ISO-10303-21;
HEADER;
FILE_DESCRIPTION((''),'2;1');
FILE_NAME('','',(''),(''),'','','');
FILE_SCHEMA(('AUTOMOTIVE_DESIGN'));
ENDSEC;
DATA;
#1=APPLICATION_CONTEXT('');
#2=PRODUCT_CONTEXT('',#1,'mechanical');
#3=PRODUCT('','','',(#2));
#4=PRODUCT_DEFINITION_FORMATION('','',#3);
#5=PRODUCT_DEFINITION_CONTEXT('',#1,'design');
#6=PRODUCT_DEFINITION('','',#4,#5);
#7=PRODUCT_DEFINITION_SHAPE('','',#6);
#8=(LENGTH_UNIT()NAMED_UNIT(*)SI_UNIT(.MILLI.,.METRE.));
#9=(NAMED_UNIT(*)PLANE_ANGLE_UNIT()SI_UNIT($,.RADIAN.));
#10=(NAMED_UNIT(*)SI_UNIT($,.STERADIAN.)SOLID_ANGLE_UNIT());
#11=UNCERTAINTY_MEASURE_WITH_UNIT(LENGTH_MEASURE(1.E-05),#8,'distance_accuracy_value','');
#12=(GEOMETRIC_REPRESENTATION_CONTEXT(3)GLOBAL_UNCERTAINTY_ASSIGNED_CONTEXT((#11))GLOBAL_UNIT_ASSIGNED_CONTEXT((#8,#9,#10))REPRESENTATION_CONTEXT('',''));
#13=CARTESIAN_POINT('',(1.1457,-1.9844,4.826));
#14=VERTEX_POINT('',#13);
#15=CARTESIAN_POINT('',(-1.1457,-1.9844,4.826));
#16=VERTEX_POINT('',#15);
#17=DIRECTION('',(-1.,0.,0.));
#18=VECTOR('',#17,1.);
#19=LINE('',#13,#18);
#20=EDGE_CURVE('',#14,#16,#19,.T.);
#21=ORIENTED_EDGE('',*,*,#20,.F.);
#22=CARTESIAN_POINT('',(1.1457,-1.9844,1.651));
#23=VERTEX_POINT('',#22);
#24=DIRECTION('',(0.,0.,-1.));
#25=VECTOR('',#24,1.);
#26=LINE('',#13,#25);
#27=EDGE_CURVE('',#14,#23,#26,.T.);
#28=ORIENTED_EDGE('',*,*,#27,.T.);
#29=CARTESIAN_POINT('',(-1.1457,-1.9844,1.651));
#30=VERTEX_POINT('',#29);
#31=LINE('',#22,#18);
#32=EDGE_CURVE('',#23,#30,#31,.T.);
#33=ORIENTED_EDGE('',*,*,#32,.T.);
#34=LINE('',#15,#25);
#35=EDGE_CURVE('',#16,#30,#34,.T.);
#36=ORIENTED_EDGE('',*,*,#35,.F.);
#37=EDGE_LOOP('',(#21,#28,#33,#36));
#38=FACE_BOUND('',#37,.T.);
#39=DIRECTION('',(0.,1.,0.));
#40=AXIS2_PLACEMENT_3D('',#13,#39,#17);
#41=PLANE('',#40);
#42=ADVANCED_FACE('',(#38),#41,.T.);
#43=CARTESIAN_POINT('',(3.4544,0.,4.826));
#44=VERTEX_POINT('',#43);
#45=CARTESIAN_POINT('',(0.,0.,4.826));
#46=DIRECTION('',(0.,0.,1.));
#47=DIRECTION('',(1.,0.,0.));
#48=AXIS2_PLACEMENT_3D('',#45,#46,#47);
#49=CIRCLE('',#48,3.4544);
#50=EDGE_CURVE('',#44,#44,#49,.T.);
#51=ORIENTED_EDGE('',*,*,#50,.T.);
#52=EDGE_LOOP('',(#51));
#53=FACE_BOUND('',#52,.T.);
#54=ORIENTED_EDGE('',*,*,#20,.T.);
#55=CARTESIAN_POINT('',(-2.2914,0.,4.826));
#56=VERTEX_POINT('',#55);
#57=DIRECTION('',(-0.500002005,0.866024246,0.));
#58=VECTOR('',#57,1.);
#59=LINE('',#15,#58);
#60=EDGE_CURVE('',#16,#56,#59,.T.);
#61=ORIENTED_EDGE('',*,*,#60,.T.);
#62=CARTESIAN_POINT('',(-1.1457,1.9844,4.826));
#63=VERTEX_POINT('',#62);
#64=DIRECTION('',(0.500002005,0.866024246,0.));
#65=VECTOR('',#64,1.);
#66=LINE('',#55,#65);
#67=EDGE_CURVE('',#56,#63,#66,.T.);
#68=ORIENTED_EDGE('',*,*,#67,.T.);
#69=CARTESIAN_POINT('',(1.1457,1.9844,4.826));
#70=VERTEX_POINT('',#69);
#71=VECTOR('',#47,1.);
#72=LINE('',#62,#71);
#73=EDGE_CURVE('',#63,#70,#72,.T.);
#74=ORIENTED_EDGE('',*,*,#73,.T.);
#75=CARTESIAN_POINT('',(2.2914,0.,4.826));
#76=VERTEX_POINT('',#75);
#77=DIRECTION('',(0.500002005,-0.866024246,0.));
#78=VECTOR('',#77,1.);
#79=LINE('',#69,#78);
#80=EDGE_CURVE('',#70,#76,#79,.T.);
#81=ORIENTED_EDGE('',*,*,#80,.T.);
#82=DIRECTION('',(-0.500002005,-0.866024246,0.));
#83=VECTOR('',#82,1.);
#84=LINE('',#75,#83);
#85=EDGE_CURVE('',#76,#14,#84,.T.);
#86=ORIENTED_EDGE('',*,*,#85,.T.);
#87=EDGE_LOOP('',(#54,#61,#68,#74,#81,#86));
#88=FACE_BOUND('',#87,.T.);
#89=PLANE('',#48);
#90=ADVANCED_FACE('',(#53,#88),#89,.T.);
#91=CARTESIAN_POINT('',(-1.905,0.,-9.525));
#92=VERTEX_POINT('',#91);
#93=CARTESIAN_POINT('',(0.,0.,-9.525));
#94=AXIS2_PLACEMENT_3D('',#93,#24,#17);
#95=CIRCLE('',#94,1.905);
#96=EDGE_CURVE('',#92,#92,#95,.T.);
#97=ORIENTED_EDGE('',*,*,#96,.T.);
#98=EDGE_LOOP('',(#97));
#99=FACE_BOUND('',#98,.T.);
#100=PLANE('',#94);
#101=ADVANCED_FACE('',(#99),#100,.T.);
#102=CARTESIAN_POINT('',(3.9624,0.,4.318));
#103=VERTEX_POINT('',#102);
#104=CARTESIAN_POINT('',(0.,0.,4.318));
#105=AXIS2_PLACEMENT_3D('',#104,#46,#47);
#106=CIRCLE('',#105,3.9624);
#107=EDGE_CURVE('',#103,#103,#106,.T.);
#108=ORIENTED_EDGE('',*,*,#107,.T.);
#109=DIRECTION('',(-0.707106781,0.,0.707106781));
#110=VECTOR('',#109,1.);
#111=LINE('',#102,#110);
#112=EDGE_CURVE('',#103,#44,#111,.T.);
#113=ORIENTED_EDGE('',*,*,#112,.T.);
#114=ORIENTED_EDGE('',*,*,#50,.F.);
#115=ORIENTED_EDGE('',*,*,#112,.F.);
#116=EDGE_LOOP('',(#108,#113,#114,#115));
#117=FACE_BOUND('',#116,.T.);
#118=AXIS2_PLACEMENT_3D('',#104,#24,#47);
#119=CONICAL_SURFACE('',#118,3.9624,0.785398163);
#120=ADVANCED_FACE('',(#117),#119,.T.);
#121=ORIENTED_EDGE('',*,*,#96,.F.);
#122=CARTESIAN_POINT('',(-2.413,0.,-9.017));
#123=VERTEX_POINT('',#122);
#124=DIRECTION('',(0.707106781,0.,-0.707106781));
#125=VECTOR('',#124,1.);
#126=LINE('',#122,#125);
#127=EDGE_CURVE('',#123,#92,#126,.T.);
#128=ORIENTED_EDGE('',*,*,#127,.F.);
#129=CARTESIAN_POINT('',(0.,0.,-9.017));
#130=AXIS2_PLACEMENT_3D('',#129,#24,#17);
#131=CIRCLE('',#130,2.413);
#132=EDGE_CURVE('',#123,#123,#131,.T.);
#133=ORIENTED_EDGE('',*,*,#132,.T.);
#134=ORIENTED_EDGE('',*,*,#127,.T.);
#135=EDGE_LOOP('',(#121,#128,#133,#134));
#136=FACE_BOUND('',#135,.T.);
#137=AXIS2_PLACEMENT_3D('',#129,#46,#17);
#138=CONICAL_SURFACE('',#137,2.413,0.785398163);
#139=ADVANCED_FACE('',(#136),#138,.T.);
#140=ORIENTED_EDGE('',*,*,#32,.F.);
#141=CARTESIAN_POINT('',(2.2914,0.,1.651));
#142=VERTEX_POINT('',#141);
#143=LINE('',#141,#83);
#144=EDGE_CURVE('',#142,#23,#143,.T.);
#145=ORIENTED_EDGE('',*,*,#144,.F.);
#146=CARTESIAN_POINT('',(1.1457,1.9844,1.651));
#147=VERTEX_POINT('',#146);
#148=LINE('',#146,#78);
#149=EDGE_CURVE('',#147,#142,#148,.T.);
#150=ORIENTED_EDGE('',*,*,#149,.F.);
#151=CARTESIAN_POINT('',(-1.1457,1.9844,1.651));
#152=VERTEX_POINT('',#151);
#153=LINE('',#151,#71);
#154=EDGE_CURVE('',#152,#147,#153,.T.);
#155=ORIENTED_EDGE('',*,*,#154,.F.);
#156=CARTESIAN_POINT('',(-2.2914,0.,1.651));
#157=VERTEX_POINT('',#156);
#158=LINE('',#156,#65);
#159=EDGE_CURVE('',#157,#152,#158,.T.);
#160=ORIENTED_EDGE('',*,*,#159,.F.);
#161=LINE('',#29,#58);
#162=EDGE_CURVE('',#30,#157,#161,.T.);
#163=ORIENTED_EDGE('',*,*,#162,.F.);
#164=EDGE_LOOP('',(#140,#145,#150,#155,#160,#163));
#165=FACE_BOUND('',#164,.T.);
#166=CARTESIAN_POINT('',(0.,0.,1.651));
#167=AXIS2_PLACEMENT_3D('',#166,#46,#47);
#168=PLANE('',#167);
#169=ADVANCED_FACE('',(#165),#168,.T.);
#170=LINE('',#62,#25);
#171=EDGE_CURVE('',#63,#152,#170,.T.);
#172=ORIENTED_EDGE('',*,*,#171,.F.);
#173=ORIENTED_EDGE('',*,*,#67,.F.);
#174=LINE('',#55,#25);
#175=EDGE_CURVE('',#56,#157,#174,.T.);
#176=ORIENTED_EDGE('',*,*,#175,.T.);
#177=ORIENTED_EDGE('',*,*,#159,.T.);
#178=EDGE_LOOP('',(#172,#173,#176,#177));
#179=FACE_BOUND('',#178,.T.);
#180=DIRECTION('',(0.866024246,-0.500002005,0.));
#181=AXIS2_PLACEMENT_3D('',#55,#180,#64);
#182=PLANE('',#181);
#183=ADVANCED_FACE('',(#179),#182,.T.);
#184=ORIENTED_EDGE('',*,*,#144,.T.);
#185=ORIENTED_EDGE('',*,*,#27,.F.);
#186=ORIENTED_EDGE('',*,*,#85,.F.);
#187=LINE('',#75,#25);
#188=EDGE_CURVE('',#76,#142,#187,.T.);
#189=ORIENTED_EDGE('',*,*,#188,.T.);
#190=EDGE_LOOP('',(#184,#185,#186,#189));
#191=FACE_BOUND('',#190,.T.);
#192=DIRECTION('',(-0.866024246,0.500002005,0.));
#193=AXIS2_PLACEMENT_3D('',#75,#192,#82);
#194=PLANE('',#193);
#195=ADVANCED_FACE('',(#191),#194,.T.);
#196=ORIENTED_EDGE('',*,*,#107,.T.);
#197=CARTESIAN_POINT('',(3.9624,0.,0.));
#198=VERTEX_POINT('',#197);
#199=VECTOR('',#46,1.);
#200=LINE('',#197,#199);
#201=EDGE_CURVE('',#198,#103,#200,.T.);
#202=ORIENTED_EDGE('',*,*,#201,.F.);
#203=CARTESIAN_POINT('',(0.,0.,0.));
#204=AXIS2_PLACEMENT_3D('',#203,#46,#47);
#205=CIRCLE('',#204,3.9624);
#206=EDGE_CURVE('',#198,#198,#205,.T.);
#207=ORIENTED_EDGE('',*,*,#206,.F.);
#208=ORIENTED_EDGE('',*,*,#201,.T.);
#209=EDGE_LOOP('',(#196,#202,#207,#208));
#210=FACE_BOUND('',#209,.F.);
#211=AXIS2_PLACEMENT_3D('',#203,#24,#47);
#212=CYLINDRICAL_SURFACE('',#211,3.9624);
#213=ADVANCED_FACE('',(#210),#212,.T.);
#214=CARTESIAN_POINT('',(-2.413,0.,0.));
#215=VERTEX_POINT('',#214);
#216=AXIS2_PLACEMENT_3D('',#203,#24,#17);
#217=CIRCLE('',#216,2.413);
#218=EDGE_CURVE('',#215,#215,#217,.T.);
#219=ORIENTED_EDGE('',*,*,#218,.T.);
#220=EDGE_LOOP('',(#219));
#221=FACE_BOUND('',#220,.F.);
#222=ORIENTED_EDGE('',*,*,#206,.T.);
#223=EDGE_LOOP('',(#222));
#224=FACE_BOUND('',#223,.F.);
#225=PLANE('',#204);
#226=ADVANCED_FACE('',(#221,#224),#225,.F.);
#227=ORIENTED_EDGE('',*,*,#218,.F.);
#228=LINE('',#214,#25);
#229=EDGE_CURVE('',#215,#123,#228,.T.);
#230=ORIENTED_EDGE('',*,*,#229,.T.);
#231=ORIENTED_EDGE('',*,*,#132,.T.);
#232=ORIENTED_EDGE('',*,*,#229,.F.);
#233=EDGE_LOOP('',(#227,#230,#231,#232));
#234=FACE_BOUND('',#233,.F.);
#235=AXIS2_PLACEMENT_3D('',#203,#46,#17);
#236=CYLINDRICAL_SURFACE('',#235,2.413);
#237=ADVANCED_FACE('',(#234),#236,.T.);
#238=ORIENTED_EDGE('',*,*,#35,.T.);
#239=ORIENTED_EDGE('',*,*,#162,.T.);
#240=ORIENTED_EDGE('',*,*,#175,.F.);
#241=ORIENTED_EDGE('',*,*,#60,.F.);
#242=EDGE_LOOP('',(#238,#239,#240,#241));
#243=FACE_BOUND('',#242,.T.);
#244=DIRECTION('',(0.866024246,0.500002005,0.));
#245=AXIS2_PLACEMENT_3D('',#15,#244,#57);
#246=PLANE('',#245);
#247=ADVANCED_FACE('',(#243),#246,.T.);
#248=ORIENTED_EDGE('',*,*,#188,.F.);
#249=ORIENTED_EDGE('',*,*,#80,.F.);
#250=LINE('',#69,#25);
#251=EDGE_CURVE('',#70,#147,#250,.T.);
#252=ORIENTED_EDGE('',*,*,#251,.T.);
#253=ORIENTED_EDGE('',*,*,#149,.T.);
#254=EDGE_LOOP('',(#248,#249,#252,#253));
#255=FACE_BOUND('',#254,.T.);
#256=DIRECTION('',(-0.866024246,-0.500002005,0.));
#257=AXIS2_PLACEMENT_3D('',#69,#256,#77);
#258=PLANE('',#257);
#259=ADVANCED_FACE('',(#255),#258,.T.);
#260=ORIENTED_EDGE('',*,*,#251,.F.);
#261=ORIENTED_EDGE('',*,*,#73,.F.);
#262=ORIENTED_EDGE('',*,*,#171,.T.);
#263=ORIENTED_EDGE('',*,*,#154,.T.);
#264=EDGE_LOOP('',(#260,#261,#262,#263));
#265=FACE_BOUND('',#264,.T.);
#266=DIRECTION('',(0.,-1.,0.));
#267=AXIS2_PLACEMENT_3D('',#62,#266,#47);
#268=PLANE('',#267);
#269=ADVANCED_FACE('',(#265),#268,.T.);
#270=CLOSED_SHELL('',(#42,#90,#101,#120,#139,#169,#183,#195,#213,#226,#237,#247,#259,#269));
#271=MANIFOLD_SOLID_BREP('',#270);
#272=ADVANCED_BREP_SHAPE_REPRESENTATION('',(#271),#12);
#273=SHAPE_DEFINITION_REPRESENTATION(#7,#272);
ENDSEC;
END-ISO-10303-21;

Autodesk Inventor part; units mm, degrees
ref_plane "YZ Plane" through (0, 0, 0) normal (1, 0, 0) x (0, 1, 0)
ref_plane "XZ Plane" through (0, 0, 0) normal (0, 1, 0) x (-1, 0, 0)
ref_plane "XY Plane" through (0, 0, 0) normal (0, 0, 1) x (1, 0, 0)
sketch "Sketch1" plane through (0, 0, 0) normal (0, 0, 1) x (1, 0, 0)
  circle A0 centre (0, 0) radius 3.9624
  dimension "d0" = 7.9248
extrude "Extrusion1" add sketch "Sketch1" along normal blind 4.826
sketch "Sketch2" plane through (0, 0, 0) normal (0, 0, -1) x (-1, 0, 0)
  circle A0 centre (0, 0) radius 3.9624 projected
  circle A1 centre (0, 0) radius 2.413
  dimension "d3" = 4.826
extrude "Extrusion2" add sketch "Sketch2" along normal blind 9.525 contours A1
sketch "Sketch3" plane through (0, 0, 4.826) normal (0, 0, 1) x (1, 0, 0)
  circle A0 centre (0, 0) radius 3.9624 projected
  line L0 (-1.1457, 1.9844) -> (1.1457, 1.9844)
  line L1 (1.1457, 1.9844) -> (2.2914, 0)
  line L2 (2.2914, 0) -> (1.1457, -1.9844)
  line L3 (1.1457, -1.9844) -> (-1.1457, -1.9844)
  line L4 (-1.1457, -1.9844) -> (-2.2914, 0)
  line L5 (-2.2914, 0) -> (-1.1457, 1.9844)
  dimension "d6" = 3.9688
extrude "Extrusion3" cut sketch "Sketch3" against normal blind 3.175 contours L0 L1 L2 L3 L4 L5
thread "Thread1" size "10-32 UNF" class "2A" standard "ANSI Unified Screw Threads" full length
chamfer "Chamfer1" distance 0.508 angle 45 1 edges at (2.413, 0, -9.525)
chamfer "Chamfer2" distance 0.508 angle 45 1 edges at (-3.9624, 0, 4.826)
properties part number "10-32 x1000" material "Steel"
